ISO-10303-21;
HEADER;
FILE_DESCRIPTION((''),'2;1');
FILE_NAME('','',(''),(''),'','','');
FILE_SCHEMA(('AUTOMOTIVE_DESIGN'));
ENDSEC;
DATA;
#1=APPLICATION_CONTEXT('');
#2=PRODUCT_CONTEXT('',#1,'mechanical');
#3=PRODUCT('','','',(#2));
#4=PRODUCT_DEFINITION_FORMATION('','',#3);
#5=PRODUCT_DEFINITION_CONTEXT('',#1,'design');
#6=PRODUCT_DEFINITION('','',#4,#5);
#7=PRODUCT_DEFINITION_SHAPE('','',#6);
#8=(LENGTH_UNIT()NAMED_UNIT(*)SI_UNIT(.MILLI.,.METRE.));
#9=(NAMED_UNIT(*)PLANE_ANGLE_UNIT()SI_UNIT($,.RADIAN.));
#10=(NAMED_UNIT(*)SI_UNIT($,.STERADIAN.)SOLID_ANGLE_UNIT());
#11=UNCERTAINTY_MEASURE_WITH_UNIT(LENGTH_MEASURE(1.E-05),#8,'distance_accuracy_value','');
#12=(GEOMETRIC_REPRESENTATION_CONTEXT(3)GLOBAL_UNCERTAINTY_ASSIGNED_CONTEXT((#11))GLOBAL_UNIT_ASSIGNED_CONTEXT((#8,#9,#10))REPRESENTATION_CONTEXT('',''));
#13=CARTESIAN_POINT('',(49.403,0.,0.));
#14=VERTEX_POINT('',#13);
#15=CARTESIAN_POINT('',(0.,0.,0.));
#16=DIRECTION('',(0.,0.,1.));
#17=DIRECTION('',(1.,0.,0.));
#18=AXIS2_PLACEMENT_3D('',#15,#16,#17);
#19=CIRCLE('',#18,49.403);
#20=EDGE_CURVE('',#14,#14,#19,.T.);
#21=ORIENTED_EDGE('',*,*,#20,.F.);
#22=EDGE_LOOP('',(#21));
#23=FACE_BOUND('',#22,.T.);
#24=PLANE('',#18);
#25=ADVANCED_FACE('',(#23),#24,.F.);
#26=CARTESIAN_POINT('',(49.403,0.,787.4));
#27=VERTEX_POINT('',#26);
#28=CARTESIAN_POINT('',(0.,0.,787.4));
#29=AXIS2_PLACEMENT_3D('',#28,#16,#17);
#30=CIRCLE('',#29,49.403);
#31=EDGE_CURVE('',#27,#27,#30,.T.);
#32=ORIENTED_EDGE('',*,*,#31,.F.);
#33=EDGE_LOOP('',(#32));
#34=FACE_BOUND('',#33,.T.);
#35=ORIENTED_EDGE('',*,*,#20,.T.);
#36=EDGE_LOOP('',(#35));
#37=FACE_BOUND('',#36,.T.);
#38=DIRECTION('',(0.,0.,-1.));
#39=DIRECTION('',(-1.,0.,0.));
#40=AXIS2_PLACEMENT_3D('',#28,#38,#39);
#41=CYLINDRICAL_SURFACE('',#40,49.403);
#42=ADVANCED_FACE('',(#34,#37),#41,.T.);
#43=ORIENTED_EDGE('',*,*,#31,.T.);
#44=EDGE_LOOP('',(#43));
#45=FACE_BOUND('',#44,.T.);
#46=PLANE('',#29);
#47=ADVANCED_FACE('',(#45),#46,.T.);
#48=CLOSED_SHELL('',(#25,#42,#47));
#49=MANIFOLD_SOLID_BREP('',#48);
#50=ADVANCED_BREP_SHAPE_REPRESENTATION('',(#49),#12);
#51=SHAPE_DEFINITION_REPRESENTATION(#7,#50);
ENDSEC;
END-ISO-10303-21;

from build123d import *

# Parameters (mm, degrees)
ESQUISSE2_R        = 49.403
BOSS_EXTRU_1_DEPTH = 787.4


with BuildPart() as part:
    # Esquisse2 → Boss.-Extru.1 (new body)
    with BuildSketch(Plane.XY):
        Circle(ESQUISSE2_R)
    extrude(amount=BOSS_EXTRU_1_DEPTH)


solid = part.part
